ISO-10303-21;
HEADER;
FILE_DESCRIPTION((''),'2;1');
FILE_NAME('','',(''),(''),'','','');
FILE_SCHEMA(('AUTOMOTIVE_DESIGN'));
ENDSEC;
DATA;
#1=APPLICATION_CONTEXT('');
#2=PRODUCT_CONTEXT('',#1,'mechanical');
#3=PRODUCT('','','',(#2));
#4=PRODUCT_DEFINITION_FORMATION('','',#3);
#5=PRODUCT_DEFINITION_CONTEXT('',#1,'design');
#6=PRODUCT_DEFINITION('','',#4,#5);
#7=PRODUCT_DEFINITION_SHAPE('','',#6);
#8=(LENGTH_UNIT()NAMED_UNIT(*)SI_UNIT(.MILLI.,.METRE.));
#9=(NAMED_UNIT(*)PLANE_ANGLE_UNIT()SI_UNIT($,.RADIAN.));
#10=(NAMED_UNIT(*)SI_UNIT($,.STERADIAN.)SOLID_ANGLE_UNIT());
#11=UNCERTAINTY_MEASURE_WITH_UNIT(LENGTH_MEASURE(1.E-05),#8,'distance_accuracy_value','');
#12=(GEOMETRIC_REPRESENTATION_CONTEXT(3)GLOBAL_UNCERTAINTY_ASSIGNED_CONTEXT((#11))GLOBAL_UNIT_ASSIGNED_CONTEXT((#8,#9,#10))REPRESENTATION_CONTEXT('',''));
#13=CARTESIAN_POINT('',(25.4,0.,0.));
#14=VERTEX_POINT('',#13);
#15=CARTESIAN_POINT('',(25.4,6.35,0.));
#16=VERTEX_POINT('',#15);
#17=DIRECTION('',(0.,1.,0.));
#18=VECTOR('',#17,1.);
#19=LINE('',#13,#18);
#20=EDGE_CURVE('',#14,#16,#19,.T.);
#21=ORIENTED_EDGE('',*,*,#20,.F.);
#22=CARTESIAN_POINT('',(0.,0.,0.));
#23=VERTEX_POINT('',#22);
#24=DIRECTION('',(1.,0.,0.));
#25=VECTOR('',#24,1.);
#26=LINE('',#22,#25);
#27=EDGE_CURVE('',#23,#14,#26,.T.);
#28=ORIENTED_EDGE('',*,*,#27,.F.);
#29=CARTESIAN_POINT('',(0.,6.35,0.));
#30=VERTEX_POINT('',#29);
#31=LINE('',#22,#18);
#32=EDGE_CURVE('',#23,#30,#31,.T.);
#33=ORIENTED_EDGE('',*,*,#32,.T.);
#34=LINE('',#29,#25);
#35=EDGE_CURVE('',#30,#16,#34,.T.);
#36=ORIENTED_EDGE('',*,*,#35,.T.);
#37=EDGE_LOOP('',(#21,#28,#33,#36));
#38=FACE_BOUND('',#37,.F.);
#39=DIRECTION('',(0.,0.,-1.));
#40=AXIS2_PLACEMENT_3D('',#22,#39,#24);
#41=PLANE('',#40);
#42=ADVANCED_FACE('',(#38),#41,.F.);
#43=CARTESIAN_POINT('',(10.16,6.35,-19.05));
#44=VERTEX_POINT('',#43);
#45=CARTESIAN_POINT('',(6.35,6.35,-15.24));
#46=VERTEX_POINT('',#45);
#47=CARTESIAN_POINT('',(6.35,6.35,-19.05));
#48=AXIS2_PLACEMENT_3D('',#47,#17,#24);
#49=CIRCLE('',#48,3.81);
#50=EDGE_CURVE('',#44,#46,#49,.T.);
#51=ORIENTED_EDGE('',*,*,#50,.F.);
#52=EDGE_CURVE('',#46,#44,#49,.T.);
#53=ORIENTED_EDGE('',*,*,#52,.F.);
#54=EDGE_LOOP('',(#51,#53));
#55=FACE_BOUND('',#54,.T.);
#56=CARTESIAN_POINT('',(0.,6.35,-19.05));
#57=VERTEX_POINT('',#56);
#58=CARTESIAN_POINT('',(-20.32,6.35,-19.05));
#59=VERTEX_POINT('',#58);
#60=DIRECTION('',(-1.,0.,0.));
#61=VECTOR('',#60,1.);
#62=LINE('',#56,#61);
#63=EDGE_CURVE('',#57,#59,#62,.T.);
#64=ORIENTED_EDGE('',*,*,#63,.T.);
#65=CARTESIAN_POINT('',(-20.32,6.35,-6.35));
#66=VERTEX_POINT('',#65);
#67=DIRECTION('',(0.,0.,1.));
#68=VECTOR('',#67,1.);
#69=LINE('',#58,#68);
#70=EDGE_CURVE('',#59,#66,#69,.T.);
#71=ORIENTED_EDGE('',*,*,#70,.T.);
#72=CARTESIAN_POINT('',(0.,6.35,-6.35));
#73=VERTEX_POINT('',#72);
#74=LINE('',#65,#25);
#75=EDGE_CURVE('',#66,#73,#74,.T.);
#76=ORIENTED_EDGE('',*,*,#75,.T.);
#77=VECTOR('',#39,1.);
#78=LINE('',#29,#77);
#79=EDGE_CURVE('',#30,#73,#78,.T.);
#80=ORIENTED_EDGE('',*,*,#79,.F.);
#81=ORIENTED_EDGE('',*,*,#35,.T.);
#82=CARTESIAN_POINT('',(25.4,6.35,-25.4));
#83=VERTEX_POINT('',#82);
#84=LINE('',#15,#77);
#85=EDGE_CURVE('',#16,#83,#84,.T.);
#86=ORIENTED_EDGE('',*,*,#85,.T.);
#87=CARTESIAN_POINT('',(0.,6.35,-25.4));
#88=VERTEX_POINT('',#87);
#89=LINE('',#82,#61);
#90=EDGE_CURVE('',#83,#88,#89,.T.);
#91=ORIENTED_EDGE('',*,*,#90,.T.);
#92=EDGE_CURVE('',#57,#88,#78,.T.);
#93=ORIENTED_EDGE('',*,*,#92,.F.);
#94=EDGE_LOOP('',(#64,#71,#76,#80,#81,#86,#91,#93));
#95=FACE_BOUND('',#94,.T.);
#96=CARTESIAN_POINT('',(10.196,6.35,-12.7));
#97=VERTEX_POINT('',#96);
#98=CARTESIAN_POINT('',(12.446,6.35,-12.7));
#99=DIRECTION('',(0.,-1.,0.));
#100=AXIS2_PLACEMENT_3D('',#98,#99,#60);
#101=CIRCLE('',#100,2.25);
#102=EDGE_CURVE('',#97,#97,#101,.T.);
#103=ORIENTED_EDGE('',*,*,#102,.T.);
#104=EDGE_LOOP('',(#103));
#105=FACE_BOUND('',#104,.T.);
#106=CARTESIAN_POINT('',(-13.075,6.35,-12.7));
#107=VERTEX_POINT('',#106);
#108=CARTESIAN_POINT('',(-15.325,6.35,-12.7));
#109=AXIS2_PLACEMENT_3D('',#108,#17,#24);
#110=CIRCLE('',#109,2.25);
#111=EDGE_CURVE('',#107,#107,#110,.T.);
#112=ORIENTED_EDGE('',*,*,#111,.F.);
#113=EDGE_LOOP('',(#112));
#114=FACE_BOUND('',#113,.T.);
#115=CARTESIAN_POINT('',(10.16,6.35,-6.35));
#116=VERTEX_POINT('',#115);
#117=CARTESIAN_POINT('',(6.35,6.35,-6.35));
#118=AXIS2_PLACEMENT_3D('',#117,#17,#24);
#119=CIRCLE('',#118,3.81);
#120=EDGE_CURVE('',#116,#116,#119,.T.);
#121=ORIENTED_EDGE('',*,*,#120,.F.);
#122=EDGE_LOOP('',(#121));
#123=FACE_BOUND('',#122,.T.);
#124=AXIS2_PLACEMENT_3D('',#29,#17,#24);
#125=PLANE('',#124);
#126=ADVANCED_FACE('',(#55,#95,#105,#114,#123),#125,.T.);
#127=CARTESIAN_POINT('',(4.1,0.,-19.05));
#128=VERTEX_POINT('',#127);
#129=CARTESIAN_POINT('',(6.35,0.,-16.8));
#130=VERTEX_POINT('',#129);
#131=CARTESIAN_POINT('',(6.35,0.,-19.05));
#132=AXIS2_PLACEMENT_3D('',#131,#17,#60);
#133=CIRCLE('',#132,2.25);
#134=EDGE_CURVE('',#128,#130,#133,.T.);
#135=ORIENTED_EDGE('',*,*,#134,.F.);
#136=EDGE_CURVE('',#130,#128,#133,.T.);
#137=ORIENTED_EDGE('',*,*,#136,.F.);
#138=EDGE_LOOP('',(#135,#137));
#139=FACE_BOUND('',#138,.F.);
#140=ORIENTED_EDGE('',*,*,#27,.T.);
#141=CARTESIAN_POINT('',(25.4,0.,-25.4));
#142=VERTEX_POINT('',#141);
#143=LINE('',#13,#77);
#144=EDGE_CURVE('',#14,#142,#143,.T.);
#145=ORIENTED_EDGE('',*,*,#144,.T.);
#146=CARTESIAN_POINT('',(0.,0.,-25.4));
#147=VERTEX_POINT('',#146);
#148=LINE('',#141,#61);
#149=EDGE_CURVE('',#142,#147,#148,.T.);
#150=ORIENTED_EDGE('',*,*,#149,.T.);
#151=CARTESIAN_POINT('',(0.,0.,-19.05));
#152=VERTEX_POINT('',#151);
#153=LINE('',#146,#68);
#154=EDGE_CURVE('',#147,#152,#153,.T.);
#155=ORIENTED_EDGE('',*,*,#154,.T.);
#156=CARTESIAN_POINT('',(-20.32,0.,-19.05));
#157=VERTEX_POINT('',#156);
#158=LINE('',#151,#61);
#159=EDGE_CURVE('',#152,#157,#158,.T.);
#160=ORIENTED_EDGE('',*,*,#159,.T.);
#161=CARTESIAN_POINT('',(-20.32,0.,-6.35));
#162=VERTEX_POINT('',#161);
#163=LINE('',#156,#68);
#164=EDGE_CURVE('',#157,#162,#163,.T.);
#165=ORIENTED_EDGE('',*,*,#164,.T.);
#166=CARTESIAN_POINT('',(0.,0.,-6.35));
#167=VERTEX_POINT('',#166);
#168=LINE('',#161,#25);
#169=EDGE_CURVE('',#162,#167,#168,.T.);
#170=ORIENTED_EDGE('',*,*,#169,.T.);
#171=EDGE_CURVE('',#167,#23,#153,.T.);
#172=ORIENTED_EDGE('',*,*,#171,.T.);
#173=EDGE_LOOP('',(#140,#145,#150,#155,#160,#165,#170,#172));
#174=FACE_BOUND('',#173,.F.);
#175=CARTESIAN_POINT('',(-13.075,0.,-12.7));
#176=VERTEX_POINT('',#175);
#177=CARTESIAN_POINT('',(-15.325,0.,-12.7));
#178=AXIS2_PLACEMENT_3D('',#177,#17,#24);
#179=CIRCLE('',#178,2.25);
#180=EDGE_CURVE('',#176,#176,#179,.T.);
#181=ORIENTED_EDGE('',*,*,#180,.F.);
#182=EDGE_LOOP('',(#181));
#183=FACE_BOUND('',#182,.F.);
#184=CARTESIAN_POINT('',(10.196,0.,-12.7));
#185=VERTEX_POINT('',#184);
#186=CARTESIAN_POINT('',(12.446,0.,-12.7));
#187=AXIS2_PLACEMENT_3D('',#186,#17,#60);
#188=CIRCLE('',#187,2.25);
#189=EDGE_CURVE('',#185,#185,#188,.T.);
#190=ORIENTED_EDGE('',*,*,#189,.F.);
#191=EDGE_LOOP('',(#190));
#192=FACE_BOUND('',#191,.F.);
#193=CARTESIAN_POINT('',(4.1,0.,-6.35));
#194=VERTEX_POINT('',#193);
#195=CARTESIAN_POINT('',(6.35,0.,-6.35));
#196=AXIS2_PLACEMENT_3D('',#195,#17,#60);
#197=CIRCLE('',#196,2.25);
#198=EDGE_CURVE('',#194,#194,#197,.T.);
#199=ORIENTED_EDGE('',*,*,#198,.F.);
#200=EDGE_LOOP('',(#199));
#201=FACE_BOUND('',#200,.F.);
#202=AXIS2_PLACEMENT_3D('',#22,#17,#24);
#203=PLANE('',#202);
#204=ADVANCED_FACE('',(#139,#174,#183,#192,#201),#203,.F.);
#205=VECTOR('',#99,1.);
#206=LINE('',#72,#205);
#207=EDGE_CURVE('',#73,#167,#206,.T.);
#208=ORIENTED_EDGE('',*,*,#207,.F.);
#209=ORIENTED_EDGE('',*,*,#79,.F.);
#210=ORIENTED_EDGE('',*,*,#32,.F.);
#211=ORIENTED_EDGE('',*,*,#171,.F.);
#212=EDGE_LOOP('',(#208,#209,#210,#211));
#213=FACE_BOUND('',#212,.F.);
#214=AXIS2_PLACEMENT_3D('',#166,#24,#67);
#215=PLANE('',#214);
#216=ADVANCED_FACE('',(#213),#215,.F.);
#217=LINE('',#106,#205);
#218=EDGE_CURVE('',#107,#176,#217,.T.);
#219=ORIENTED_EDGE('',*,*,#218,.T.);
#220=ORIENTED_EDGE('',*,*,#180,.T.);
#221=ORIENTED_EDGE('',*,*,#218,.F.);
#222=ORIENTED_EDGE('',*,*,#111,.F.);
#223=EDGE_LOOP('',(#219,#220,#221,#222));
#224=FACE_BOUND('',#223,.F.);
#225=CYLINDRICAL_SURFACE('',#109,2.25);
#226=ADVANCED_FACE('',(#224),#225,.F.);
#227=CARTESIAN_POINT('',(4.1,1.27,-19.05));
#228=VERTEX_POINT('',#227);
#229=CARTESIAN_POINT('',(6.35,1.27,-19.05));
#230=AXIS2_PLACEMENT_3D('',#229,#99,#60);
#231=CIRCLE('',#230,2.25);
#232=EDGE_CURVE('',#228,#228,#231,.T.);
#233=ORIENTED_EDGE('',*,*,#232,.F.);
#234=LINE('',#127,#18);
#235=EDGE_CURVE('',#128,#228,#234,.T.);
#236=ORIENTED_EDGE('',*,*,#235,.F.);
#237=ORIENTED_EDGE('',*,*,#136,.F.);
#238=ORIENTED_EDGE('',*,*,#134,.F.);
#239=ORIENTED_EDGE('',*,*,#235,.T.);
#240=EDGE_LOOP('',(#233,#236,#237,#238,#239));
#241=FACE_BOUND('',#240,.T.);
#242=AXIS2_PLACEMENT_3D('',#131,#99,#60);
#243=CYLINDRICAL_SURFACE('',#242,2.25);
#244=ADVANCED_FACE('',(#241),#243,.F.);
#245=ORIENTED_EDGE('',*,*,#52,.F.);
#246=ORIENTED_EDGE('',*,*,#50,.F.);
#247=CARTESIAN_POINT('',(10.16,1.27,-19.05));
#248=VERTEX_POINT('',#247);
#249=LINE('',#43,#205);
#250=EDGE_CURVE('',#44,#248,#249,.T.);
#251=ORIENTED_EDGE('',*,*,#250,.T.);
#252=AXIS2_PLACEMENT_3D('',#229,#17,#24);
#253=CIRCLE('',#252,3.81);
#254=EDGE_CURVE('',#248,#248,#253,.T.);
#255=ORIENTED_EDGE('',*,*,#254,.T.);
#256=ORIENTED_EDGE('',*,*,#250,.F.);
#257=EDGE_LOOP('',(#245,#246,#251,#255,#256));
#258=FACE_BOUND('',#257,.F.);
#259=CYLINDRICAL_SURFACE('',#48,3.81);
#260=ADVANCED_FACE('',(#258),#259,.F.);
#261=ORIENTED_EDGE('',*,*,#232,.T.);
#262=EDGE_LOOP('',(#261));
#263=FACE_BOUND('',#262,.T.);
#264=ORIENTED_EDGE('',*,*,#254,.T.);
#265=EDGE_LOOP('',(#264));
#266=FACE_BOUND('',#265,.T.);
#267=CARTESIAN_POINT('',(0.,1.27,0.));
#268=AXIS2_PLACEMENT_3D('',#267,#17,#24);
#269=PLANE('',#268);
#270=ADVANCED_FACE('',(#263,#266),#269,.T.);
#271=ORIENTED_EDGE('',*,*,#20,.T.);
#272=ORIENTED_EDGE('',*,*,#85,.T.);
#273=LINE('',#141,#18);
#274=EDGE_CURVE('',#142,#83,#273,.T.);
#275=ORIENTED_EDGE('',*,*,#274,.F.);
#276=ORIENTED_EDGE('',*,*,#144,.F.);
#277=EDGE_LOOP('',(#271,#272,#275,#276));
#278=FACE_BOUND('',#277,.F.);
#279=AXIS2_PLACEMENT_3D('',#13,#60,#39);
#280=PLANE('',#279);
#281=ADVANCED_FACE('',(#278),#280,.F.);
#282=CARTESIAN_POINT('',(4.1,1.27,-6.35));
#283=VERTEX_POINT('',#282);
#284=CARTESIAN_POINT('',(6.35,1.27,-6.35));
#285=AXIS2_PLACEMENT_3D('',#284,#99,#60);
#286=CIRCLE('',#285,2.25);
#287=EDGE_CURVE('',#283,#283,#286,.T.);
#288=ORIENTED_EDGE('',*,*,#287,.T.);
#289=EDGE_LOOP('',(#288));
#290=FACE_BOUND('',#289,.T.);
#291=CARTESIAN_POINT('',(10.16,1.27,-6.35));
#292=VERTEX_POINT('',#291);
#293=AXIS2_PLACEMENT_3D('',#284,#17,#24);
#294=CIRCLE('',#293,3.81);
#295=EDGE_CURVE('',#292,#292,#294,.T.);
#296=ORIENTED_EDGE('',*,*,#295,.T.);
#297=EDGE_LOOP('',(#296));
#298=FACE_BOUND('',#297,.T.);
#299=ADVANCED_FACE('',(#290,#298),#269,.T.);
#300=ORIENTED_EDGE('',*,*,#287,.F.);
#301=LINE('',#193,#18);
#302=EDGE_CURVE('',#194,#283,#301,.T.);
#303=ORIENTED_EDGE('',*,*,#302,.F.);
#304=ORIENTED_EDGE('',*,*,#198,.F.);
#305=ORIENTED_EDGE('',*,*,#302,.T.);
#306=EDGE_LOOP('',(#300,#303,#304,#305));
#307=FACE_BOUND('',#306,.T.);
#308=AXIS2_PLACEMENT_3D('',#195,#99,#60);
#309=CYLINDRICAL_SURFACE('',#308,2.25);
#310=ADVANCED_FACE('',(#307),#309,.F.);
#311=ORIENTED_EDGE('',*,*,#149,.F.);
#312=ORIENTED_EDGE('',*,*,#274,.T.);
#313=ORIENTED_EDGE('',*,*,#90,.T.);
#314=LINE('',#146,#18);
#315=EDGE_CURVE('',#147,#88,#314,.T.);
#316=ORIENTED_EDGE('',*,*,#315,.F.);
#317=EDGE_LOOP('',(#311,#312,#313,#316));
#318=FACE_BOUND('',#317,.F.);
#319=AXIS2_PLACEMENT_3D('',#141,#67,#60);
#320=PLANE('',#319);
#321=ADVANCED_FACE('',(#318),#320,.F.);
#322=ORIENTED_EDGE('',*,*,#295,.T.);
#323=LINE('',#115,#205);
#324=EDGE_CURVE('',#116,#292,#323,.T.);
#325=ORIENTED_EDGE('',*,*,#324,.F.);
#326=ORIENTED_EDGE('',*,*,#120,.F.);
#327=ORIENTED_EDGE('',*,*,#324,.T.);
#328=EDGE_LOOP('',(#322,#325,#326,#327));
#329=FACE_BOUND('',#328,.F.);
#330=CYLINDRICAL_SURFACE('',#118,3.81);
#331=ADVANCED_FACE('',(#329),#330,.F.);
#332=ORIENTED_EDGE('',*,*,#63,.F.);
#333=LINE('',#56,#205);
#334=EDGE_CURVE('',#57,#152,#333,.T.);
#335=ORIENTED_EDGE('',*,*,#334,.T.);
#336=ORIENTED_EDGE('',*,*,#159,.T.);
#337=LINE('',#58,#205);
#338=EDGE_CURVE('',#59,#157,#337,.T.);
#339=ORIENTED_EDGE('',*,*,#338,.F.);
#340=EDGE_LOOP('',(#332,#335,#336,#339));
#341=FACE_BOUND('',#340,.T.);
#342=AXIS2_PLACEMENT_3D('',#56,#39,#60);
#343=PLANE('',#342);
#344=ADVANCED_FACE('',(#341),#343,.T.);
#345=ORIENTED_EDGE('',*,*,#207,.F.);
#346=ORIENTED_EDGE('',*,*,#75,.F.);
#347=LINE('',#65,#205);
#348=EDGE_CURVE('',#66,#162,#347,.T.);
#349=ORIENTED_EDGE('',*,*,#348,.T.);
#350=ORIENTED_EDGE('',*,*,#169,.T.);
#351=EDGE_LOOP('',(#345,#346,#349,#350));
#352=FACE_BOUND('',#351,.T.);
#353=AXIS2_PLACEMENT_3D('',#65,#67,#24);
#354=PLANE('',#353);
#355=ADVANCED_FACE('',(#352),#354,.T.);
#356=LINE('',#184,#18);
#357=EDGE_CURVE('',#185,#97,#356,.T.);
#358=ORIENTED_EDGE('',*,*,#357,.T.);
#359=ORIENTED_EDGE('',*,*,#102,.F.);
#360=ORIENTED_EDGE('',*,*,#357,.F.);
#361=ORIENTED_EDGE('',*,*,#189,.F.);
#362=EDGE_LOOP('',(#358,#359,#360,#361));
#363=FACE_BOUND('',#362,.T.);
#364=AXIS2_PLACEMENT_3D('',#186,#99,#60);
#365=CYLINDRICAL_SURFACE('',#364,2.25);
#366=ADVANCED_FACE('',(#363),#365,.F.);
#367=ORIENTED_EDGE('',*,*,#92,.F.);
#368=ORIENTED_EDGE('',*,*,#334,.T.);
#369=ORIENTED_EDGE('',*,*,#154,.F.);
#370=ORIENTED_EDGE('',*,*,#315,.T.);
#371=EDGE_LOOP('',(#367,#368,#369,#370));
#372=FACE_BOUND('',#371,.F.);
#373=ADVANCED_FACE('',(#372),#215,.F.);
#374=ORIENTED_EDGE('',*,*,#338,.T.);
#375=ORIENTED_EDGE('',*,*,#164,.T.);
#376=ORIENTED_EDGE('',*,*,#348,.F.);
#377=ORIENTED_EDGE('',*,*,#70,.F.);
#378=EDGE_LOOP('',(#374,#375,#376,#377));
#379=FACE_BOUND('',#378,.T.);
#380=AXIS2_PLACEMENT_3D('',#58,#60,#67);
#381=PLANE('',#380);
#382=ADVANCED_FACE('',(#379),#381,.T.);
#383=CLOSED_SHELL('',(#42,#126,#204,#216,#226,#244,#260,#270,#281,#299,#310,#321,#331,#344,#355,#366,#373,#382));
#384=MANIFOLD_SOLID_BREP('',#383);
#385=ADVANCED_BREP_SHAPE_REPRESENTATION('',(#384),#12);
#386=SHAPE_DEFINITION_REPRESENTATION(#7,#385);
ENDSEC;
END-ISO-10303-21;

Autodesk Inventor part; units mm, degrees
ref_plane "YZ Plane" through (0, 0, 0) normal (1, 0, 0) x (0, 1, 0)
ref_plane "XZ Plane" through (0, 0, 0) normal (0, 1, 0) x (-1, 0, 0)
ref_plane "XY Plane" through (0, 0, 0) normal (0, 0, 1) x (1, 0, 0)
sketch "Sketch1" plane through (0, 0, 0) normal (0, 1, 0) x (-1, 0, 0)
  line L0 (0, 0) -> (-25.4, 0)
  line L1 (-25.4, 0) -> (-25.4, -25.4)
  line L2 (-25.4, -25.4) -> (0, -25.4)
  line L3 (0, -25.4) -> (0, 0)
  line L4 (0, 0) -> (0, -6.35)
  line L5 (0, -6.35) -> (-6.35, -6.35)
  line L6 (-6.35, -6.35) -> (-6.35, -19.05)
  line L7 (0, -12.7) -> (-12.446, -12.7)
  circle A0 centre (-6.35, -6.35) radius 2.25
  circle A1 centre (-6.35, -19.05) radius 2.25
  circle A2 centre (-12.7, -12.7) radius 2.25
  circle A3 centre (-12.446, -12.7) radius 2.25
  dimension "d0" = 25.4
  dimension "d1" = 25.4
  dimension "d2" = 6.35
  dimension "d3" = 6.35
  dimension "d4" = 12.7
  dimension "d5" = 12.446
  dimension "d6" = 4.5
  dimension "d7" = 4.5
  dimension "d8" = 4.5
  dimension "d20" = 4.5
extrude "Extrusion1" add sketch "Sketch1" along normal blind 6.35 contours L3 L5 A0 L6 L7 L2 L1 L0 | L3 L7 L6 A0 L5 | A3 A2 picked at (-14.7705, -12.7)
sketch "Sketch2" plane through (0, 6.35, 0) normal (0, 1, 0) x (1, 0, 0)
  circle A0 centre (12.7, 12.7) radius 2.25 projected
  line L0 (0, 25.4) -> (0, 0) projected
  line L1 (0, 0) -> (25.4, 0) projected
  line L2 (25.4, 0) -> (25.4, 25.4) projected
  line L3 (25.4, 25.4) -> (0, 25.4) projected
  line L4 (0, 25.4) -> (0, 0) projected
  circle A1 centre (6.35, 19.05) radius 2.25 projected
  circle A2 centre (6.35, 6.35) radius 2.25 projected
  line L5 (12.7, 12.7) -> (-15.325, 12.7)
  circle A3 centre (-15.325, 12.7) radius 2.25
  line L6 (0, 19.05) -> (-20.32, 19.05)
  line L7 (-20.32, 19.05) -> (-20.32, 6.35)
  line L8 (-20.32, 6.35) -> (0, 6.35)
  line L9 (0, 6.35) -> (0, 19.05)
  point P0 (0, 6.35)
  dimension "d11" = 28.025
  dimension "d12" = 4.5
  dimension "d13" = 20.32
extrude "Extrusion2" add sketch "Sketch2" against normal blind 6.35 contours L0 L8 L7 L6
sketch "Sketch3" plane through (0, 6.35, 0) normal (0, 1, 0) x (1, 0, 0)
  circle A0 centre (12.7, 12.7) radius 2.25 projected
  circle A1 centre (6.35, 19.05) radius 2.25 projected
  circle A2 centre (6.35, 6.35) radius 2.25 projected
  circle A3 centre (6.35, 19.05) radius 3.81
  circle A4 centre (6.35, 6.35) radius 3.81
  point P0 (0, 0)
  dimension "d16" = 7.62
  dimension "d17" = 7.62
extrude "Extrusion3" cut sketch "Sketch3" against normal blind 5.08 contours A1 | A2 | A3 | A4
properties part number "DovetailSampleHolderToKB1X1TMagneticHolder"
